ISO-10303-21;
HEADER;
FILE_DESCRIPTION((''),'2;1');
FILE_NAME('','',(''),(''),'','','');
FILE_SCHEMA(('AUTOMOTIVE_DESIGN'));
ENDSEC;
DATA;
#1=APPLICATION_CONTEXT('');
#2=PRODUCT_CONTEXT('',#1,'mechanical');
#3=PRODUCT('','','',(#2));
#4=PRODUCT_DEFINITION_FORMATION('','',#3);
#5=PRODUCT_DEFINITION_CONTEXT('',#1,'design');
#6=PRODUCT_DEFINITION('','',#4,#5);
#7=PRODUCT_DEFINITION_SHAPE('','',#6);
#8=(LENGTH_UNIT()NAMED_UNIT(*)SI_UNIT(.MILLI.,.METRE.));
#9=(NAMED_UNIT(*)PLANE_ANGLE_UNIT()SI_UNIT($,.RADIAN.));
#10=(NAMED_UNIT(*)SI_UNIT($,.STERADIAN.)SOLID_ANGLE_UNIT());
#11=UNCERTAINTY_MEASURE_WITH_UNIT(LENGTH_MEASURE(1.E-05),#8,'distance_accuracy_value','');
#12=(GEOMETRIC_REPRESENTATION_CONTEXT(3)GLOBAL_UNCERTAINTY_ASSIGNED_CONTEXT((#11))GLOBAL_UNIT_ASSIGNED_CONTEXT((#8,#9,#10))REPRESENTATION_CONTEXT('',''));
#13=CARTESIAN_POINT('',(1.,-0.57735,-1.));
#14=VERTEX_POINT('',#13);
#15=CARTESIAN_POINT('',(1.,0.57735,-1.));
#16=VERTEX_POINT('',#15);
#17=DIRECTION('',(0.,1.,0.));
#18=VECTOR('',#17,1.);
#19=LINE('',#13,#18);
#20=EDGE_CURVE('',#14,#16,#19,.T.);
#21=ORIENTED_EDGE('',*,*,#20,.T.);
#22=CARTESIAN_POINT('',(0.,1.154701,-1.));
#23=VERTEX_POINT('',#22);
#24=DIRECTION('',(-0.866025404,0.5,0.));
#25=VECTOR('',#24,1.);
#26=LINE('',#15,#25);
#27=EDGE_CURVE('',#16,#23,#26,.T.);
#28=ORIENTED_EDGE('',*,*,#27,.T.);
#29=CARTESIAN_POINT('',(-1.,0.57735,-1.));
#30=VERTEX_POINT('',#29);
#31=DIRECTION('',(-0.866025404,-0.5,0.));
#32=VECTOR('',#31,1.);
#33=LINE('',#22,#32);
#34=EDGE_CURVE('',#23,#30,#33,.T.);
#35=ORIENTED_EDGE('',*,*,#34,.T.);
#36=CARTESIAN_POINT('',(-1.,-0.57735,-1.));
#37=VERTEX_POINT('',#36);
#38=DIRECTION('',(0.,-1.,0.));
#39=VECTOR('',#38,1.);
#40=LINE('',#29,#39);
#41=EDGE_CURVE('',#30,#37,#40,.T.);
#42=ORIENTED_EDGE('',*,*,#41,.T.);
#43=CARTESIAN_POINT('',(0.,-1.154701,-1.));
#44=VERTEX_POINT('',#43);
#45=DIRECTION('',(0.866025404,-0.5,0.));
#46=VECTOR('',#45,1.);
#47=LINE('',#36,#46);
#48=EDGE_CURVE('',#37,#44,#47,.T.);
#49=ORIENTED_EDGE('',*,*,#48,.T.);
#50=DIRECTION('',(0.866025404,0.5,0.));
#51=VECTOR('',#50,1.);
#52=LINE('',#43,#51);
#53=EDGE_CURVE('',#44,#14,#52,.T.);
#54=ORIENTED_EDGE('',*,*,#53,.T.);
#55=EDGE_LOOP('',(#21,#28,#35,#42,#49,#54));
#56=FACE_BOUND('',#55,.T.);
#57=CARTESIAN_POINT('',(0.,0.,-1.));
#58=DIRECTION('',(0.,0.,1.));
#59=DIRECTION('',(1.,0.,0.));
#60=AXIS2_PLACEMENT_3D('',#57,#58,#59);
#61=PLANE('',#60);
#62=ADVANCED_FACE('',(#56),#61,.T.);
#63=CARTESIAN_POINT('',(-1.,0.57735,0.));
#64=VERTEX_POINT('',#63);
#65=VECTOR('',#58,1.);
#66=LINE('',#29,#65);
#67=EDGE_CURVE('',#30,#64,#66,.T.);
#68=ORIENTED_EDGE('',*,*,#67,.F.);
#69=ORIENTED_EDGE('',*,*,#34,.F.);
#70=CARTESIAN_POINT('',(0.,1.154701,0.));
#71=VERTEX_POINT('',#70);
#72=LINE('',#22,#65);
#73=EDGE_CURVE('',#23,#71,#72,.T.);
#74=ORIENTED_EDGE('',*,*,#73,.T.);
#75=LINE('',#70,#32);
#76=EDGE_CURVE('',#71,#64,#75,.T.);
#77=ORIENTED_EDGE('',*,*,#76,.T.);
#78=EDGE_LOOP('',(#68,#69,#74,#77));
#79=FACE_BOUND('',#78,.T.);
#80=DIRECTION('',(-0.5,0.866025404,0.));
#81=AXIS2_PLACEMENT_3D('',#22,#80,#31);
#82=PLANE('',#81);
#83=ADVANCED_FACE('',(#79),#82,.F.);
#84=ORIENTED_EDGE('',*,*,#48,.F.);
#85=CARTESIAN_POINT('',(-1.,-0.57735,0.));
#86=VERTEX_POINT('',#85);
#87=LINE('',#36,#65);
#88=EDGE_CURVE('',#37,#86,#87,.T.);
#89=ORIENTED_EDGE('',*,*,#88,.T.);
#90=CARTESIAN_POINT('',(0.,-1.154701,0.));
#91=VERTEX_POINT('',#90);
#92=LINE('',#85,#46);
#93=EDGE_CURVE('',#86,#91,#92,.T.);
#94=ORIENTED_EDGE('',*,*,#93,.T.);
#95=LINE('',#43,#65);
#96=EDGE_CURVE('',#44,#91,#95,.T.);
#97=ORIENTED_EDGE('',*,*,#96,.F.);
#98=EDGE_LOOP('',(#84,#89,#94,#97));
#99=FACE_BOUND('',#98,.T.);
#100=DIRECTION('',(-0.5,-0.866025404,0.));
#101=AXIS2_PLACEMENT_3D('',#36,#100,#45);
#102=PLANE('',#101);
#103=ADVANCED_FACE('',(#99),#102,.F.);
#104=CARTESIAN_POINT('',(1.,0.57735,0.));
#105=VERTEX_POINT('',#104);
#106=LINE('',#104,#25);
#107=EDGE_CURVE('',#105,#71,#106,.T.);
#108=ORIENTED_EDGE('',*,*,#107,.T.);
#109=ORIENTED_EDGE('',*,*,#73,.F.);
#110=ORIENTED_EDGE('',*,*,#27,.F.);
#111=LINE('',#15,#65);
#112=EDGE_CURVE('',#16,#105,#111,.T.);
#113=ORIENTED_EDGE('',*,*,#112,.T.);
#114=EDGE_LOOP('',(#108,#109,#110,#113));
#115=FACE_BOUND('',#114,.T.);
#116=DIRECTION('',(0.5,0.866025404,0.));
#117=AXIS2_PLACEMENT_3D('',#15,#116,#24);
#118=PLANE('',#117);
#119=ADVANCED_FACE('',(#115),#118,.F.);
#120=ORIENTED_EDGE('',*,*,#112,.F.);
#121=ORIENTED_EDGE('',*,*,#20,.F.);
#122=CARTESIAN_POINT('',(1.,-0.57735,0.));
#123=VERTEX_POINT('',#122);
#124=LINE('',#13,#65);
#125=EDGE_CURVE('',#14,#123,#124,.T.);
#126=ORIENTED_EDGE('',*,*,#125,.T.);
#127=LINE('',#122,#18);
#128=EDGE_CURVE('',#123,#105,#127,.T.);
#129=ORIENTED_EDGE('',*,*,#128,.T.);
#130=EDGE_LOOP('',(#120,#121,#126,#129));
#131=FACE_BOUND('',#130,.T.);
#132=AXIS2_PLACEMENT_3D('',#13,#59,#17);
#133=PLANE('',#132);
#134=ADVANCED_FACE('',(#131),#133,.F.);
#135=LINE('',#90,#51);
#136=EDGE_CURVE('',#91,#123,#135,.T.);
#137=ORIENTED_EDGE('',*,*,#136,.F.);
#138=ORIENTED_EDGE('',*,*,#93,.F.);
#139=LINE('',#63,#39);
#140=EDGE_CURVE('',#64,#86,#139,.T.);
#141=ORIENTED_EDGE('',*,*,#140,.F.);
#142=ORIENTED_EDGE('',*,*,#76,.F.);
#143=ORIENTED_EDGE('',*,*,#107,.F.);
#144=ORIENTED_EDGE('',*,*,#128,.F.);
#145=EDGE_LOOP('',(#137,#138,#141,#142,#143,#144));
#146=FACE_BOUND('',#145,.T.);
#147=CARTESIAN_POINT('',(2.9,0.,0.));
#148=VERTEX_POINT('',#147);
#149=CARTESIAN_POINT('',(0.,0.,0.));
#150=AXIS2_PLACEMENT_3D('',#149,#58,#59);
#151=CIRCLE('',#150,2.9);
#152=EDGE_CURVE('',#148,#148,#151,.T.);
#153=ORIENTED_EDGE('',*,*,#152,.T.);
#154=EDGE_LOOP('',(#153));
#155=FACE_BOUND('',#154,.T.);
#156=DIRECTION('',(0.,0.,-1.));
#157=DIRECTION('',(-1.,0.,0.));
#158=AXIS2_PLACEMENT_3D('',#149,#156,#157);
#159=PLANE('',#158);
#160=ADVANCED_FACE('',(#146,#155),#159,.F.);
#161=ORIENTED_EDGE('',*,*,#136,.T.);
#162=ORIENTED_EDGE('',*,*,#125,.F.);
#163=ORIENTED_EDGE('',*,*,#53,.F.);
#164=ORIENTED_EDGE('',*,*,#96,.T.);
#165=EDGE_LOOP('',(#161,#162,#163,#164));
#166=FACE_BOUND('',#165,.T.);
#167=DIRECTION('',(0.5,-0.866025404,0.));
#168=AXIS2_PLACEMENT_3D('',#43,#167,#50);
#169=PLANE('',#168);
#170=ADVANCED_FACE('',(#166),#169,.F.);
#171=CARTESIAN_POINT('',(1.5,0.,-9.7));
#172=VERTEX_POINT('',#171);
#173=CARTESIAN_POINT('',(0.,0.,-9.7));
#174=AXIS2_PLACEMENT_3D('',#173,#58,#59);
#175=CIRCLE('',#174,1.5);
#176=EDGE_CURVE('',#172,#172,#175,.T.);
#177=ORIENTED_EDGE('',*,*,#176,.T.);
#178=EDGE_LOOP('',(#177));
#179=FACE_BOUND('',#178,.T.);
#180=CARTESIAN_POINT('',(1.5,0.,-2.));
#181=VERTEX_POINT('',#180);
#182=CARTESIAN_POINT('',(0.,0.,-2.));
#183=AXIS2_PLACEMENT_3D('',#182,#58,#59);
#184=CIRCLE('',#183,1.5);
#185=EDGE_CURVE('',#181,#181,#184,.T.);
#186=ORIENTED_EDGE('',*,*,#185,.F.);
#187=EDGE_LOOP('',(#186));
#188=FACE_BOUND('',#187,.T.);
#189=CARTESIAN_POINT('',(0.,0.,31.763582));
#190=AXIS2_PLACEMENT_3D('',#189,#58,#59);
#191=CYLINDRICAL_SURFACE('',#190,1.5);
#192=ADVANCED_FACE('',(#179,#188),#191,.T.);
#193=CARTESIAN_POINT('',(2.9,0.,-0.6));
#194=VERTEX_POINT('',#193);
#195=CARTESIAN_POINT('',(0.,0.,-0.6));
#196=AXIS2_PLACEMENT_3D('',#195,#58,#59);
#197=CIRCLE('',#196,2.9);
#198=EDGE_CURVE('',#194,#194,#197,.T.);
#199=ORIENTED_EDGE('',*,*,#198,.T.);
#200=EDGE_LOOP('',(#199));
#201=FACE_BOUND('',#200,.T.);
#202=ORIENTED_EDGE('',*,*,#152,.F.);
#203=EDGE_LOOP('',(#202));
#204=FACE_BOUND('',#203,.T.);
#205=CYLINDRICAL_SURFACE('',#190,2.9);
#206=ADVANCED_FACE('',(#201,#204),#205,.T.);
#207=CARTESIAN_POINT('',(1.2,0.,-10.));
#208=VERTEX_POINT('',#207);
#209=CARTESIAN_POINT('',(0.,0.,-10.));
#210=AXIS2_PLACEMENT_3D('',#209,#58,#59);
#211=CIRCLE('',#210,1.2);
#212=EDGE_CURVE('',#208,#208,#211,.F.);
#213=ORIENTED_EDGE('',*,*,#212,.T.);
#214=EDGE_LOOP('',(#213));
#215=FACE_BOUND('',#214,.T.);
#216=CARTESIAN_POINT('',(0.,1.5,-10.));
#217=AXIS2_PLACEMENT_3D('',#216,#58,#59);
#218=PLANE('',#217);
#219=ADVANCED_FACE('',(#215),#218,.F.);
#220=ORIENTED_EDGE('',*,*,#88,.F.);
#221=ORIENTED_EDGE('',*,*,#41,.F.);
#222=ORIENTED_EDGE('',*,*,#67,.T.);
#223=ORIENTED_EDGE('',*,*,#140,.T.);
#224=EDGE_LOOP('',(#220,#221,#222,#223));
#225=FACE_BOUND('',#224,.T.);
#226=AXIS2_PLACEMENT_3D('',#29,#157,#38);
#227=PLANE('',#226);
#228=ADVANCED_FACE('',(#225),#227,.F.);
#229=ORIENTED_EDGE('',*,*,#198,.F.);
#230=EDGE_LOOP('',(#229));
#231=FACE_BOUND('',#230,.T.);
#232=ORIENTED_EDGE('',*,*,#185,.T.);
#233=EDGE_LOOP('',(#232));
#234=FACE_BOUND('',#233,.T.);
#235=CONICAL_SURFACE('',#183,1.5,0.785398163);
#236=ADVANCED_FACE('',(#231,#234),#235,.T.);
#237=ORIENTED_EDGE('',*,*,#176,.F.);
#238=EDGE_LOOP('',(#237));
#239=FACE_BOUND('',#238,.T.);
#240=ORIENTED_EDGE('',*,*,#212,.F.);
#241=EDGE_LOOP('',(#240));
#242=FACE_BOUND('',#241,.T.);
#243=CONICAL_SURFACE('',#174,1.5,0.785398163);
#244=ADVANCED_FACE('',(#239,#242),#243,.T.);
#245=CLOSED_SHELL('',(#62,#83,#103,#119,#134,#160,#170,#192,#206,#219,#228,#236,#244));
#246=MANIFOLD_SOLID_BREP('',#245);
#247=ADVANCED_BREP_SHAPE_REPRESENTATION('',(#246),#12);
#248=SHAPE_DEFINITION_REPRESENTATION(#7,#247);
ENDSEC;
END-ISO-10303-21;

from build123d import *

# Parameters (mm, degrees)
SCHNITT_LINEAR_AUSTRAGEN1_DEPTH = 1
FASE1_SIZE                      = 0.3


with BuildPart() as part:
    # Skizze1 → Rotation1 (revolve)
    with BuildSketch(Plane(origin=(0, 0, 0), x_dir=(0, 0, -1), z_dir=(1, 0, 0))):
        Polygon((0, 0), (0, 2.9), (0.6, 2.9), (2, 1.5), (10, 1.5), (10, 0), align=None)
    revolve(axis=Axis((0, 0, 31.763581507), (0, 0, -1)))

    # Skizze3 → Schnitt-Linear austragen1 (cut)
    with BuildSketch(Plane.XY):
        Polygon((1, -0.577350269), (1, 0.577350269), (0, 1.154700538), (-1, 0.577350269), (-1, -0.577350269), (0, -1.154700538), align=None)
    extrude(amount=-SCHNITT_LINEAR_AUSTRAGEN1_DEPTH, mode=Mode.SUBTRACT)

    # Fase1
    fase1_edges = [part.edges().sort_by_distance(p)[0] for p in [
        (0, -1.5, -10),
    ]]
    chamfer(fase1_edges, length=FASE1_SIZE)


solid = part.part
